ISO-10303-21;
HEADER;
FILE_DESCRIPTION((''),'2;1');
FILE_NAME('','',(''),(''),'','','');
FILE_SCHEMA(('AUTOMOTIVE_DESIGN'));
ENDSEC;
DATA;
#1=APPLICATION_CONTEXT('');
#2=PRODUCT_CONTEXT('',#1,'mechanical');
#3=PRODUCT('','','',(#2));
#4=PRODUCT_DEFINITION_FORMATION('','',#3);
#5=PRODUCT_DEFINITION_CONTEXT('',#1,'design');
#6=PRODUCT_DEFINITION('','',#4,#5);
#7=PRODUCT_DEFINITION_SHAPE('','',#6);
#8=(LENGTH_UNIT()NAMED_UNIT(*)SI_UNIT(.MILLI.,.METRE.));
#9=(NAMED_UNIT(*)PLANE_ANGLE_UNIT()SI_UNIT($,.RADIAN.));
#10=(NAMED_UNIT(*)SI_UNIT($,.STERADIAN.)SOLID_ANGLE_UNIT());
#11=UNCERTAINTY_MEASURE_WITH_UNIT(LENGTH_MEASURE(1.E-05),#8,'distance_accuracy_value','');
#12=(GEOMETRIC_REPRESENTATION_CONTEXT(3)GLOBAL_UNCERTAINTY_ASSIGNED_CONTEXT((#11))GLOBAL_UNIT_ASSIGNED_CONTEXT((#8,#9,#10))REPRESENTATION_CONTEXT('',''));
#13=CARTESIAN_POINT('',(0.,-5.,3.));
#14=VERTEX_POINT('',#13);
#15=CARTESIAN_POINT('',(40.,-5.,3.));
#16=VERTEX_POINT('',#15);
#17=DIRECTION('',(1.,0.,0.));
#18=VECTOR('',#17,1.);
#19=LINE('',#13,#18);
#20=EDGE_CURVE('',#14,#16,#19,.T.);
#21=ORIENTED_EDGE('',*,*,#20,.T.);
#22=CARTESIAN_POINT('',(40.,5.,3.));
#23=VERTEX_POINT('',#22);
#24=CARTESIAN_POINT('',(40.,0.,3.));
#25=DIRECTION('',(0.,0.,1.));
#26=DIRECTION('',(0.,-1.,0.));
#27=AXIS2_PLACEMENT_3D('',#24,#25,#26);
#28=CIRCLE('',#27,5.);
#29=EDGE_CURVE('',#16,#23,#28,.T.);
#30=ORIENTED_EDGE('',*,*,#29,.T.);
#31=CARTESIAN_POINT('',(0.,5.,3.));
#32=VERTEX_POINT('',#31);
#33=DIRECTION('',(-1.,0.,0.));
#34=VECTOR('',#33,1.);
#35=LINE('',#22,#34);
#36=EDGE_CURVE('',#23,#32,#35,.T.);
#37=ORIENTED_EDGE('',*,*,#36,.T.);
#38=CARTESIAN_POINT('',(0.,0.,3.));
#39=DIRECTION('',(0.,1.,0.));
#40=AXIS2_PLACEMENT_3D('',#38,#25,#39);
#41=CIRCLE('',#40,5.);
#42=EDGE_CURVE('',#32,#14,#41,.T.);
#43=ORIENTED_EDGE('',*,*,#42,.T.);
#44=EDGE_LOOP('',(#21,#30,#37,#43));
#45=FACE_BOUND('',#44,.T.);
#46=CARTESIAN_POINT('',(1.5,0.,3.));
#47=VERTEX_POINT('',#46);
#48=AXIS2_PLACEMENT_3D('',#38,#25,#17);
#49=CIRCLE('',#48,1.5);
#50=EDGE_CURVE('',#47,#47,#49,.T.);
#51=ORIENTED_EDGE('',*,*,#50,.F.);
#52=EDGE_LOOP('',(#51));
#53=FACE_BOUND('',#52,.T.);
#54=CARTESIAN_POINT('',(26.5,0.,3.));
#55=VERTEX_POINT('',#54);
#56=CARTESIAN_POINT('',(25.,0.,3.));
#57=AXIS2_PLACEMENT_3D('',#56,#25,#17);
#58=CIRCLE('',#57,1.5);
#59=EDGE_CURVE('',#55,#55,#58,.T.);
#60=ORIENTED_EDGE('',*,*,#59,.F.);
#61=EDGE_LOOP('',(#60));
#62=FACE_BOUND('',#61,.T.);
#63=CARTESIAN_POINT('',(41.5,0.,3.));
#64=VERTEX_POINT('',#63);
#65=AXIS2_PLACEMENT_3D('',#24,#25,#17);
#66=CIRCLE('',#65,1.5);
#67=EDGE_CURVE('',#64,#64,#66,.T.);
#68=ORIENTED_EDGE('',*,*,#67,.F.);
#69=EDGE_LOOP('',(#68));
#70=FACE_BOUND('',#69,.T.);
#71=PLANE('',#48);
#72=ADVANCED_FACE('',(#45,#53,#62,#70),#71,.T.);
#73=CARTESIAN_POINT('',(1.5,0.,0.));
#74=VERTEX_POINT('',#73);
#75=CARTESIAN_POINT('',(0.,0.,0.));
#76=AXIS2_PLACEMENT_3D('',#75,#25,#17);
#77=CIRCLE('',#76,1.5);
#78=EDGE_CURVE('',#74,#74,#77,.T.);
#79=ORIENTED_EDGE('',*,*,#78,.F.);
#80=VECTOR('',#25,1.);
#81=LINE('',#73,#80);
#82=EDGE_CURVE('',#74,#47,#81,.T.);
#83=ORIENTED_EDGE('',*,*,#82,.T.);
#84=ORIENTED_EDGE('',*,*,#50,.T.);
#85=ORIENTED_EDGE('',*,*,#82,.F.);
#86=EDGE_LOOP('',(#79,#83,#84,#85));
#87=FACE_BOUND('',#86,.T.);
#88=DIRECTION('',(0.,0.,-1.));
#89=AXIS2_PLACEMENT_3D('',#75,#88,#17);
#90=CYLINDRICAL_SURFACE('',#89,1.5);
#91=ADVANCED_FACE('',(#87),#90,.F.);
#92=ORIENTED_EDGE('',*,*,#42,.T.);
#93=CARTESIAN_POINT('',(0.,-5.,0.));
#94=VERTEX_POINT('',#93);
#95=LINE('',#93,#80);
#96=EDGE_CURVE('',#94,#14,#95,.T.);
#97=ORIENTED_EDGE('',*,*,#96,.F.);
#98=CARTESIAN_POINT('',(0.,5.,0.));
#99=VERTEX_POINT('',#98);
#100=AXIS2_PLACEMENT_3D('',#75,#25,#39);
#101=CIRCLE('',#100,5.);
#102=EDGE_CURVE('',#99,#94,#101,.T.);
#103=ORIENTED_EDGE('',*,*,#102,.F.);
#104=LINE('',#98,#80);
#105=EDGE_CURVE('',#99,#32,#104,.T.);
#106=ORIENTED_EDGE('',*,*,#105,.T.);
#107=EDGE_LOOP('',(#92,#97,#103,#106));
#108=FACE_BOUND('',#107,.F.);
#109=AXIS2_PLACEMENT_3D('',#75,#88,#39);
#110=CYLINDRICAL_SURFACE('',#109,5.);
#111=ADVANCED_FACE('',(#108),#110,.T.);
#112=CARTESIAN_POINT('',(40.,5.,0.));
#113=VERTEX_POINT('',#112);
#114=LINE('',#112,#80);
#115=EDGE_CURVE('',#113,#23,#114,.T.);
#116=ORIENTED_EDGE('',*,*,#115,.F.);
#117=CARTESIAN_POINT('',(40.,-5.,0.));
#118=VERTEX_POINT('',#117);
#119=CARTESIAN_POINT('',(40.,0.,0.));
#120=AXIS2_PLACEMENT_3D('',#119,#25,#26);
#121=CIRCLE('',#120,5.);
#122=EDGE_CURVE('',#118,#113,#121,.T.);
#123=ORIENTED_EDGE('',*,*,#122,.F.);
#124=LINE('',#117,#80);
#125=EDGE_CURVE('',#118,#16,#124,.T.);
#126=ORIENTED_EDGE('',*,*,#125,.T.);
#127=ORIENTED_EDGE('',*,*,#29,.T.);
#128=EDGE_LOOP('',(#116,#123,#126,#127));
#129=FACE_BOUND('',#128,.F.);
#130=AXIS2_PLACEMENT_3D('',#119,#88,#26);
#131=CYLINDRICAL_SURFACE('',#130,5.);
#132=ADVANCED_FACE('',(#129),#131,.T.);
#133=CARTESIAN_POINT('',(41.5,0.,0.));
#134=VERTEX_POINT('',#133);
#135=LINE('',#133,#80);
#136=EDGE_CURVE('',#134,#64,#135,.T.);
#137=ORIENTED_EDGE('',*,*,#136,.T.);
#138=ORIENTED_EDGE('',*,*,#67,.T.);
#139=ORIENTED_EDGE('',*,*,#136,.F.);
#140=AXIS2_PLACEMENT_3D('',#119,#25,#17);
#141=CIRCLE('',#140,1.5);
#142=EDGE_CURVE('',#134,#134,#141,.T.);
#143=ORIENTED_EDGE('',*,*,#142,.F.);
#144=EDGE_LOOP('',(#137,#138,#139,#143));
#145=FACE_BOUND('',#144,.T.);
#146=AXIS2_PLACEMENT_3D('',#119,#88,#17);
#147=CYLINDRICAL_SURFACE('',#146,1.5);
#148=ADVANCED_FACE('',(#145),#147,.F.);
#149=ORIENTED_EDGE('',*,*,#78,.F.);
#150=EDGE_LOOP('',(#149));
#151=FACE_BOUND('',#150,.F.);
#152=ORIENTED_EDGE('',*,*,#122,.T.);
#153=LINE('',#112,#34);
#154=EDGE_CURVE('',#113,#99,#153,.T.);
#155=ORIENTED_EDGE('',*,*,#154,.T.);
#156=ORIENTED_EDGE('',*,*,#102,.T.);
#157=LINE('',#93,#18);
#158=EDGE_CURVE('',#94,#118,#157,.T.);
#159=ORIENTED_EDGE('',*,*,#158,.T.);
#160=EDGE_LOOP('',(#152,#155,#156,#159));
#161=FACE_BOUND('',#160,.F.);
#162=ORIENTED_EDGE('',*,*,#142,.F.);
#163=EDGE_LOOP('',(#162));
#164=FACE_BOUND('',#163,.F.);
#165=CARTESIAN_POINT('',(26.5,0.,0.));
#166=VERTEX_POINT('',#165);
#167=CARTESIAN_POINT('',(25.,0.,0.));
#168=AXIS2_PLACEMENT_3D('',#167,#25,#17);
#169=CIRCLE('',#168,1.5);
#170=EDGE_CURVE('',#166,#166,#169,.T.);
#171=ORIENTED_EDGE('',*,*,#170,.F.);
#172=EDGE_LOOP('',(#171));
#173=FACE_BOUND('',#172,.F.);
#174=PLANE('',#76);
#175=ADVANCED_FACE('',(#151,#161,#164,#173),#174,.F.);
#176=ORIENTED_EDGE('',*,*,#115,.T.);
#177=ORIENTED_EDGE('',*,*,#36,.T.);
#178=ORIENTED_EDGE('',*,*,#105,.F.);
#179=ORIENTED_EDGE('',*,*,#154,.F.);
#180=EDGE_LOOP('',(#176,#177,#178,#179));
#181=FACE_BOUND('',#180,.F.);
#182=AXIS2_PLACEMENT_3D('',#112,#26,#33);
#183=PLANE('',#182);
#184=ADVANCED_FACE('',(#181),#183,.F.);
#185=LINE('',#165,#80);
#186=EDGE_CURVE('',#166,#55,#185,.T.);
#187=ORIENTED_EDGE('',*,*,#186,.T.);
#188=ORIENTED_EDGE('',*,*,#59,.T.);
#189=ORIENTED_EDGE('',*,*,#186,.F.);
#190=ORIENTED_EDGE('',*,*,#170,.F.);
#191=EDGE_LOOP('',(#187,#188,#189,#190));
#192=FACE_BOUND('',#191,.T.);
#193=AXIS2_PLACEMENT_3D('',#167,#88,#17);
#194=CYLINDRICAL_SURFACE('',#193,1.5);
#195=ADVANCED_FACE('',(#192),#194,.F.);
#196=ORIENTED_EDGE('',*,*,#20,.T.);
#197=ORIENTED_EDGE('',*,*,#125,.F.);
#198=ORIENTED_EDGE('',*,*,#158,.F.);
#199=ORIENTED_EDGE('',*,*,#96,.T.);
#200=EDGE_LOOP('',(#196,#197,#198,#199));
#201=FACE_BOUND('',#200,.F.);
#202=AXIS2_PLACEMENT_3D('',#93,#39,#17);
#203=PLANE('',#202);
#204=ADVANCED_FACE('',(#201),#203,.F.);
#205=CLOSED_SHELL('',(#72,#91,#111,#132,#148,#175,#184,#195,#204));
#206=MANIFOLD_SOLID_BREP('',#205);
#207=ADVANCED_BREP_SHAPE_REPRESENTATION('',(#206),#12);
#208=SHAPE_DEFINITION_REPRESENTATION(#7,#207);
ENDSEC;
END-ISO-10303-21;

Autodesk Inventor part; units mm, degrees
ref_plane "YZ Plane" through (0, 0, 0) normal (1, 0, 0) x (0, 1, 0)
ref_plane "XZ Plane" through (0, 0, 0) normal (0, 1, 0) x (-1, 0, 0)
ref_plane "XY Plane" through (0, 0, 0) normal (0, 0, 1) x (1, 0, 0)
sketch "Sketch1" plane through (0, 0, 0) normal (0, 0, 1) x (1, 0, 0)
  line L0 (0, 0) -> (40, 0) construction
  line L1 (0, -5) -> (40, -5)
  line L2 (40, 5) -> (0, 5)
  arc A0 (0, 5) -> (0, -5) centre (0, 0) ccw
  arc A1 (40, -5) -> (40, 5) centre (40, 0) ccw
  line L3 (0, 0) -> (40, 0) construction
  circle A2 centre (0, 0) radius 1.5
  circle A3 centre (40, 0) radius 1.5
  circle A4 centre (25, 0) radius 1.5
  point P0 (20, 0)
  dimension "d0" = 40
  dimension "d1" = 0
  dimension "d2" = 10
  dimension "d3" = 3
  dimension "d4" = 3
  dimension "d5" = 3
  dimension "d6" = 15
extrude "Extrusion1" add sketch "Sketch1" along normal blind 3
properties part number "Arm3" material "Aluminum 6061, Welded"
